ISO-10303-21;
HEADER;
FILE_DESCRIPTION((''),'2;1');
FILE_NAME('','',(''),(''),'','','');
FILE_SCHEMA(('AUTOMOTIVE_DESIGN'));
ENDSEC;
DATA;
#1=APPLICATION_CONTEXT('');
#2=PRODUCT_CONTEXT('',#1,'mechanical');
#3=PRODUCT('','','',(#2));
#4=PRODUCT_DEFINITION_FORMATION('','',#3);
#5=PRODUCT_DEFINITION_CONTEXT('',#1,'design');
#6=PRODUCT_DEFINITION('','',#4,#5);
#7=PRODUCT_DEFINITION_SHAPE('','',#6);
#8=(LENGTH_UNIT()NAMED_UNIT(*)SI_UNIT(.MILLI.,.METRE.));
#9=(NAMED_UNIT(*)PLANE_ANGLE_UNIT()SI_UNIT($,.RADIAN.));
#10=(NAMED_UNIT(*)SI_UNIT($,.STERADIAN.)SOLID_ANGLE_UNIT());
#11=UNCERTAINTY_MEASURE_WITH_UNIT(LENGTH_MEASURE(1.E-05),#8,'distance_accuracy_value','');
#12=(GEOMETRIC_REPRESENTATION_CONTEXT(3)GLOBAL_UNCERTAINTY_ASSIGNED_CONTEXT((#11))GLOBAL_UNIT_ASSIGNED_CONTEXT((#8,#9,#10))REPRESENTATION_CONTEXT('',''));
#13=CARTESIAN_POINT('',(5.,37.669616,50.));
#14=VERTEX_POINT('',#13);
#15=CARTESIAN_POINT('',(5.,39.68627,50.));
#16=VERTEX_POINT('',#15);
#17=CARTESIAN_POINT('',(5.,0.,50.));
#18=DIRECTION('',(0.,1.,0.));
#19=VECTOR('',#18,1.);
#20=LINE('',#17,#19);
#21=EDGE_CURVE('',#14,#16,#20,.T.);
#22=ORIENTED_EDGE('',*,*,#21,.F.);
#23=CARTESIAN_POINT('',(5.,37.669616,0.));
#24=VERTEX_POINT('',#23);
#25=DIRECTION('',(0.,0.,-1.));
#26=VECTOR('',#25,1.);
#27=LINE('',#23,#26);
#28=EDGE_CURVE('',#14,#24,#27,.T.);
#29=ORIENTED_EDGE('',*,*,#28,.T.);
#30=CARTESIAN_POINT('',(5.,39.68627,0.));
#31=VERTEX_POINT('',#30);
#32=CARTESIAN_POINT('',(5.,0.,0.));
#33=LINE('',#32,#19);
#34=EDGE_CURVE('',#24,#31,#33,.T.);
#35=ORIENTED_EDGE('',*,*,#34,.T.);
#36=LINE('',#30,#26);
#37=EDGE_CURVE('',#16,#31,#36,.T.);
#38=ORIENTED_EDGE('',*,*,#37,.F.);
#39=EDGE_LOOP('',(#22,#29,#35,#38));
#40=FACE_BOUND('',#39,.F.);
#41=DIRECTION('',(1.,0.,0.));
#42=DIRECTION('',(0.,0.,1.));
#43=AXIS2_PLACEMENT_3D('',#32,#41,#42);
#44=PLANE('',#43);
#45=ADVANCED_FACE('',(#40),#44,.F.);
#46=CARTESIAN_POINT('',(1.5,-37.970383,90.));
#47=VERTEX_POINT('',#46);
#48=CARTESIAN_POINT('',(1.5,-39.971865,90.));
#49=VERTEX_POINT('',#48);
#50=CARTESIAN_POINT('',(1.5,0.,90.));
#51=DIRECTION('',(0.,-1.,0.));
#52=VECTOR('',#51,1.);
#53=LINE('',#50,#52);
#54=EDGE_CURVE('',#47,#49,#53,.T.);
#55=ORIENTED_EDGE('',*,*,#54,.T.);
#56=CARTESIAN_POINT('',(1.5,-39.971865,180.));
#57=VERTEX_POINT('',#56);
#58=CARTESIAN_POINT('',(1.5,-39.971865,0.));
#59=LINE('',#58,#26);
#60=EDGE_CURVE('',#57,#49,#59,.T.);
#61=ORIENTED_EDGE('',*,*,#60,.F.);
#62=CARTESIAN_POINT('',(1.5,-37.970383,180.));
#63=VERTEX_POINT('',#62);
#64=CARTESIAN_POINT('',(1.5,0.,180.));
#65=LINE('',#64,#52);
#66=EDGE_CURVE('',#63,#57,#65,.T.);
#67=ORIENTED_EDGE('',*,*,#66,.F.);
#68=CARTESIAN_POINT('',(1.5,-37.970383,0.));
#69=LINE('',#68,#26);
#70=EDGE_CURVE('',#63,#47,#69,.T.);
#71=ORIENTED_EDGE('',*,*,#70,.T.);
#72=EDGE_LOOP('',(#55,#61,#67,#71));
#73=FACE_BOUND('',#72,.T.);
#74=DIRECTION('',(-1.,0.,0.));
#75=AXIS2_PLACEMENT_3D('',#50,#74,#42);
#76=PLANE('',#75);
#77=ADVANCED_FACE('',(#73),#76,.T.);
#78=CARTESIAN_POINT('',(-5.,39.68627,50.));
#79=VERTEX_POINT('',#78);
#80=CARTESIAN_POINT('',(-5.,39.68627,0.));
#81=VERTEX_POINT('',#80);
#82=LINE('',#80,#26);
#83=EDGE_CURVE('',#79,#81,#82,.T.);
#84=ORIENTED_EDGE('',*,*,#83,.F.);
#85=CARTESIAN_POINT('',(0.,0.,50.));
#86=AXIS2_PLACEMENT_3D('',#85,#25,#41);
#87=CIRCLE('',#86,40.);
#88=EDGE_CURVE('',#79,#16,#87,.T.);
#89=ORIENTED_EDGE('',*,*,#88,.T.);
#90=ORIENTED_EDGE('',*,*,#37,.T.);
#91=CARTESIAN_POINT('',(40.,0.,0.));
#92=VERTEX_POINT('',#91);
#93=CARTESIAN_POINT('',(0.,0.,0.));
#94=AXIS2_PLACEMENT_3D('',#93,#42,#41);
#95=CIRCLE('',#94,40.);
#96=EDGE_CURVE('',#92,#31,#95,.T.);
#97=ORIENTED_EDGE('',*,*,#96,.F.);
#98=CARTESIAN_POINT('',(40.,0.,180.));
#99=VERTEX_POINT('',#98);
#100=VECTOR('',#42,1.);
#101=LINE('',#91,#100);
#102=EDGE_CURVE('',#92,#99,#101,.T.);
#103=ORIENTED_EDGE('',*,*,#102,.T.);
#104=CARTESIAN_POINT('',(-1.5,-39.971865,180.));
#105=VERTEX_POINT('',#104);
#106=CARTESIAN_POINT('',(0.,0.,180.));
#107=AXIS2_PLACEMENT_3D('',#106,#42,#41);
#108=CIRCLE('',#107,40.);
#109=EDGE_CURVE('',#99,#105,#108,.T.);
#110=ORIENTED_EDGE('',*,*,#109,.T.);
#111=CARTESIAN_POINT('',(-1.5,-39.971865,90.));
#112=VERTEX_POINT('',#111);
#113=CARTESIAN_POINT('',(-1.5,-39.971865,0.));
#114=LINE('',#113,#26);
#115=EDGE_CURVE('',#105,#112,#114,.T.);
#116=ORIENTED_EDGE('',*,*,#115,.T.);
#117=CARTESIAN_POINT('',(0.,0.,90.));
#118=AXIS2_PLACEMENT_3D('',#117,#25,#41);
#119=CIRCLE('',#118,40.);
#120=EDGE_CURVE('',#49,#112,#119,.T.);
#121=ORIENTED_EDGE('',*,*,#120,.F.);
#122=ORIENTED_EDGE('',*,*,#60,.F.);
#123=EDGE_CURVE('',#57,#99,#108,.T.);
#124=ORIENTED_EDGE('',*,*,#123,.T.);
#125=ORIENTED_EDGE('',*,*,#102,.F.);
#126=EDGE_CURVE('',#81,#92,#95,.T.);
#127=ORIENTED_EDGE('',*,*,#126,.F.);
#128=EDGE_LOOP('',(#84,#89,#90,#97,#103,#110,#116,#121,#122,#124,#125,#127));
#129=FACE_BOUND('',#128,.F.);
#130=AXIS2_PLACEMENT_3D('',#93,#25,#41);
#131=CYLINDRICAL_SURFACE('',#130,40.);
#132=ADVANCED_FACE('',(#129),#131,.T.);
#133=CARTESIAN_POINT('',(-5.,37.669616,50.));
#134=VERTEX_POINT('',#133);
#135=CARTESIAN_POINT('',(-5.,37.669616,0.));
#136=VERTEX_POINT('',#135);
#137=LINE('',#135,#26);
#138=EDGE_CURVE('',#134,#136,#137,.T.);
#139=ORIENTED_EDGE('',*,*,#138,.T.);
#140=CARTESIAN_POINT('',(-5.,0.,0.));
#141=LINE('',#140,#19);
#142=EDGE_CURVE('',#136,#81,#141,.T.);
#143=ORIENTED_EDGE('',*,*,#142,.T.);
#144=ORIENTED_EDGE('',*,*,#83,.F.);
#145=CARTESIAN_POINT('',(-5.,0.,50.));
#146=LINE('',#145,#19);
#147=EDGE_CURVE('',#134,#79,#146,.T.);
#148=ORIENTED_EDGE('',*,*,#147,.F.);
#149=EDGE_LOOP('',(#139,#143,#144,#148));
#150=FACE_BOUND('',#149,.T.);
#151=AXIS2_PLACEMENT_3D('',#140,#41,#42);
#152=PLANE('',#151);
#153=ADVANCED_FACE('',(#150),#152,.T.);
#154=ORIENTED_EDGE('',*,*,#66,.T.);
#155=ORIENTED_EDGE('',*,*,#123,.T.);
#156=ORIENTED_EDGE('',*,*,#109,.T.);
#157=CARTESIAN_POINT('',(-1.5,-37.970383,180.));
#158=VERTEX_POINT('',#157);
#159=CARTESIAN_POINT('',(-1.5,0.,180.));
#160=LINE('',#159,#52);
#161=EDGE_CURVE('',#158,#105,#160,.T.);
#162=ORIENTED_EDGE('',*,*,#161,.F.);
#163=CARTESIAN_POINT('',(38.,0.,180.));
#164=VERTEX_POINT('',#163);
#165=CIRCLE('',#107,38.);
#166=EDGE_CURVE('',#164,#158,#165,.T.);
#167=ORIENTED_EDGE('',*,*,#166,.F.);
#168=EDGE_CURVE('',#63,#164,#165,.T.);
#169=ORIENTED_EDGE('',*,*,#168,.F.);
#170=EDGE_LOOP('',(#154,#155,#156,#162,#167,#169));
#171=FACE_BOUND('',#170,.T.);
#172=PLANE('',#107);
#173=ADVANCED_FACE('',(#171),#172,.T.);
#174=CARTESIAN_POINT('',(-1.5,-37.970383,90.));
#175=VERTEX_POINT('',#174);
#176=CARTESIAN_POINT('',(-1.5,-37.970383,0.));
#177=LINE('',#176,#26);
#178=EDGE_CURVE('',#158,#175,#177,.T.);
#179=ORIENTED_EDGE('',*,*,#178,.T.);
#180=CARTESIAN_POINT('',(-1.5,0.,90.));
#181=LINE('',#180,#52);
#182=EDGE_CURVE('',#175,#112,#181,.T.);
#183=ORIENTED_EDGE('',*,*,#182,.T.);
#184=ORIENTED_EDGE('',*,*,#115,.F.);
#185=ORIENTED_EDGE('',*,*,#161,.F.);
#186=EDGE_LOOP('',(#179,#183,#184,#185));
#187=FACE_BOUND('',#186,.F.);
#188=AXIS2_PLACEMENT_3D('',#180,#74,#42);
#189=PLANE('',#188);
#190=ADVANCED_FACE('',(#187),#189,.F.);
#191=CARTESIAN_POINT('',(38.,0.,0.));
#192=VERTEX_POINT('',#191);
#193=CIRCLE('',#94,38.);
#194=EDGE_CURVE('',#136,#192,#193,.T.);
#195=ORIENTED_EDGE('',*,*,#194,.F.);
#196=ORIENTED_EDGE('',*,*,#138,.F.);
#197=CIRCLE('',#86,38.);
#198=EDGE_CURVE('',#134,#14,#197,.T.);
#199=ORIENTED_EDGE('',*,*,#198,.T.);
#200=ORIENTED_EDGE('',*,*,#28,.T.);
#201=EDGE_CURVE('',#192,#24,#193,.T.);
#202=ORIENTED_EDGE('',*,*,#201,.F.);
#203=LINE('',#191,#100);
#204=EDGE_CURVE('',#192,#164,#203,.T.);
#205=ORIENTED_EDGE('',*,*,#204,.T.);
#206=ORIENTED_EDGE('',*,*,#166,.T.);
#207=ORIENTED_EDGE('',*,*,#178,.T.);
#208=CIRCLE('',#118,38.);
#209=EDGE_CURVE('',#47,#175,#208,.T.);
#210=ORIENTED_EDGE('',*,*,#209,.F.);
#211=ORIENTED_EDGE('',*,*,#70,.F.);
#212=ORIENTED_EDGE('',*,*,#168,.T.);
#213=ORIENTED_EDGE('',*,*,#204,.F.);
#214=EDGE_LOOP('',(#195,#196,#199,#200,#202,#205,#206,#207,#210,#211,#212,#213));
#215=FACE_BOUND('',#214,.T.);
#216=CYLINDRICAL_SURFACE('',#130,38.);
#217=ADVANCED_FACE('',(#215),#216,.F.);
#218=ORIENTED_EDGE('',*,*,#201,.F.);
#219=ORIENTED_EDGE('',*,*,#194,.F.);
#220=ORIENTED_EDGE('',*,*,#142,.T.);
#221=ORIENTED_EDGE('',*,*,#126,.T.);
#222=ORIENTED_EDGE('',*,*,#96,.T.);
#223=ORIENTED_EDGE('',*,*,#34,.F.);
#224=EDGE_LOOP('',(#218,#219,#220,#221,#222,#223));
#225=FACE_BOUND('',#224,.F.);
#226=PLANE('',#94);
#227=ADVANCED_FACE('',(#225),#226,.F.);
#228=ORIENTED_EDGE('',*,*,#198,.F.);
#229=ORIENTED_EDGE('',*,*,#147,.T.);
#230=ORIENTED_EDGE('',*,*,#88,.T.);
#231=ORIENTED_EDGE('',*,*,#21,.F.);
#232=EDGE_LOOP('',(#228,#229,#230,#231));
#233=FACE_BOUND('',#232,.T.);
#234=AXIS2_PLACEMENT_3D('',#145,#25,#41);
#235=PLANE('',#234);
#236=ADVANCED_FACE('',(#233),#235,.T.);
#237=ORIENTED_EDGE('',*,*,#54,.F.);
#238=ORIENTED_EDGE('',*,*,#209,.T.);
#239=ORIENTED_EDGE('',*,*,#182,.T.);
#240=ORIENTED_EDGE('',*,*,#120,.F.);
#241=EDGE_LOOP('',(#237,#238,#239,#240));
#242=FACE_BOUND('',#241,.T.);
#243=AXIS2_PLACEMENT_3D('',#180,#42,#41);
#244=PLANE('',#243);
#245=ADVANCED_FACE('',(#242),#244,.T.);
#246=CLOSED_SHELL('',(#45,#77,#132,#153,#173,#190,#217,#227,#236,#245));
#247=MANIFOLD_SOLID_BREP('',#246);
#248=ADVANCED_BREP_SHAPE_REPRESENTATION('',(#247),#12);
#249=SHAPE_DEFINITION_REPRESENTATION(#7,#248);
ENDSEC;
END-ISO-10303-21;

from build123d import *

# Parameters (mm, degrees)
F0_R     = 40
F0_R_2   = 38
F1_DEPTH = 180
F2_W     = 3
F2_H     = 90
F3_DEPTH = 160
F4_W     = 10
F4_H     = 50
F5_DEPTH = 66.8


with BuildPart() as f1:
    # F0 (on Top) → F1 (new body)
    with BuildSketch(Plane.XY):
        Circle(F0_R)
        Circle(F0_R_2, mode=Mode.SUBTRACT)
    extrude(amount=F1_DEPTH)

    # F2 (on Front) → F3 (cut)
    with BuildSketch(Plane.XZ):
        with Locations((0, 135)):
            Rectangle(F2_W, F2_H)
    extrude(amount=F3_DEPTH, mode=Mode.SUBTRACT)

    # F4 (on Front) → F5 (cut)
    with BuildSketch(Plane.XZ):
        with Locations((0, 25)):
            Rectangle(F4_W, F4_H)
    extrude(amount=-F5_DEPTH, mode=Mode.SUBTRACT)


solid = f1.part
